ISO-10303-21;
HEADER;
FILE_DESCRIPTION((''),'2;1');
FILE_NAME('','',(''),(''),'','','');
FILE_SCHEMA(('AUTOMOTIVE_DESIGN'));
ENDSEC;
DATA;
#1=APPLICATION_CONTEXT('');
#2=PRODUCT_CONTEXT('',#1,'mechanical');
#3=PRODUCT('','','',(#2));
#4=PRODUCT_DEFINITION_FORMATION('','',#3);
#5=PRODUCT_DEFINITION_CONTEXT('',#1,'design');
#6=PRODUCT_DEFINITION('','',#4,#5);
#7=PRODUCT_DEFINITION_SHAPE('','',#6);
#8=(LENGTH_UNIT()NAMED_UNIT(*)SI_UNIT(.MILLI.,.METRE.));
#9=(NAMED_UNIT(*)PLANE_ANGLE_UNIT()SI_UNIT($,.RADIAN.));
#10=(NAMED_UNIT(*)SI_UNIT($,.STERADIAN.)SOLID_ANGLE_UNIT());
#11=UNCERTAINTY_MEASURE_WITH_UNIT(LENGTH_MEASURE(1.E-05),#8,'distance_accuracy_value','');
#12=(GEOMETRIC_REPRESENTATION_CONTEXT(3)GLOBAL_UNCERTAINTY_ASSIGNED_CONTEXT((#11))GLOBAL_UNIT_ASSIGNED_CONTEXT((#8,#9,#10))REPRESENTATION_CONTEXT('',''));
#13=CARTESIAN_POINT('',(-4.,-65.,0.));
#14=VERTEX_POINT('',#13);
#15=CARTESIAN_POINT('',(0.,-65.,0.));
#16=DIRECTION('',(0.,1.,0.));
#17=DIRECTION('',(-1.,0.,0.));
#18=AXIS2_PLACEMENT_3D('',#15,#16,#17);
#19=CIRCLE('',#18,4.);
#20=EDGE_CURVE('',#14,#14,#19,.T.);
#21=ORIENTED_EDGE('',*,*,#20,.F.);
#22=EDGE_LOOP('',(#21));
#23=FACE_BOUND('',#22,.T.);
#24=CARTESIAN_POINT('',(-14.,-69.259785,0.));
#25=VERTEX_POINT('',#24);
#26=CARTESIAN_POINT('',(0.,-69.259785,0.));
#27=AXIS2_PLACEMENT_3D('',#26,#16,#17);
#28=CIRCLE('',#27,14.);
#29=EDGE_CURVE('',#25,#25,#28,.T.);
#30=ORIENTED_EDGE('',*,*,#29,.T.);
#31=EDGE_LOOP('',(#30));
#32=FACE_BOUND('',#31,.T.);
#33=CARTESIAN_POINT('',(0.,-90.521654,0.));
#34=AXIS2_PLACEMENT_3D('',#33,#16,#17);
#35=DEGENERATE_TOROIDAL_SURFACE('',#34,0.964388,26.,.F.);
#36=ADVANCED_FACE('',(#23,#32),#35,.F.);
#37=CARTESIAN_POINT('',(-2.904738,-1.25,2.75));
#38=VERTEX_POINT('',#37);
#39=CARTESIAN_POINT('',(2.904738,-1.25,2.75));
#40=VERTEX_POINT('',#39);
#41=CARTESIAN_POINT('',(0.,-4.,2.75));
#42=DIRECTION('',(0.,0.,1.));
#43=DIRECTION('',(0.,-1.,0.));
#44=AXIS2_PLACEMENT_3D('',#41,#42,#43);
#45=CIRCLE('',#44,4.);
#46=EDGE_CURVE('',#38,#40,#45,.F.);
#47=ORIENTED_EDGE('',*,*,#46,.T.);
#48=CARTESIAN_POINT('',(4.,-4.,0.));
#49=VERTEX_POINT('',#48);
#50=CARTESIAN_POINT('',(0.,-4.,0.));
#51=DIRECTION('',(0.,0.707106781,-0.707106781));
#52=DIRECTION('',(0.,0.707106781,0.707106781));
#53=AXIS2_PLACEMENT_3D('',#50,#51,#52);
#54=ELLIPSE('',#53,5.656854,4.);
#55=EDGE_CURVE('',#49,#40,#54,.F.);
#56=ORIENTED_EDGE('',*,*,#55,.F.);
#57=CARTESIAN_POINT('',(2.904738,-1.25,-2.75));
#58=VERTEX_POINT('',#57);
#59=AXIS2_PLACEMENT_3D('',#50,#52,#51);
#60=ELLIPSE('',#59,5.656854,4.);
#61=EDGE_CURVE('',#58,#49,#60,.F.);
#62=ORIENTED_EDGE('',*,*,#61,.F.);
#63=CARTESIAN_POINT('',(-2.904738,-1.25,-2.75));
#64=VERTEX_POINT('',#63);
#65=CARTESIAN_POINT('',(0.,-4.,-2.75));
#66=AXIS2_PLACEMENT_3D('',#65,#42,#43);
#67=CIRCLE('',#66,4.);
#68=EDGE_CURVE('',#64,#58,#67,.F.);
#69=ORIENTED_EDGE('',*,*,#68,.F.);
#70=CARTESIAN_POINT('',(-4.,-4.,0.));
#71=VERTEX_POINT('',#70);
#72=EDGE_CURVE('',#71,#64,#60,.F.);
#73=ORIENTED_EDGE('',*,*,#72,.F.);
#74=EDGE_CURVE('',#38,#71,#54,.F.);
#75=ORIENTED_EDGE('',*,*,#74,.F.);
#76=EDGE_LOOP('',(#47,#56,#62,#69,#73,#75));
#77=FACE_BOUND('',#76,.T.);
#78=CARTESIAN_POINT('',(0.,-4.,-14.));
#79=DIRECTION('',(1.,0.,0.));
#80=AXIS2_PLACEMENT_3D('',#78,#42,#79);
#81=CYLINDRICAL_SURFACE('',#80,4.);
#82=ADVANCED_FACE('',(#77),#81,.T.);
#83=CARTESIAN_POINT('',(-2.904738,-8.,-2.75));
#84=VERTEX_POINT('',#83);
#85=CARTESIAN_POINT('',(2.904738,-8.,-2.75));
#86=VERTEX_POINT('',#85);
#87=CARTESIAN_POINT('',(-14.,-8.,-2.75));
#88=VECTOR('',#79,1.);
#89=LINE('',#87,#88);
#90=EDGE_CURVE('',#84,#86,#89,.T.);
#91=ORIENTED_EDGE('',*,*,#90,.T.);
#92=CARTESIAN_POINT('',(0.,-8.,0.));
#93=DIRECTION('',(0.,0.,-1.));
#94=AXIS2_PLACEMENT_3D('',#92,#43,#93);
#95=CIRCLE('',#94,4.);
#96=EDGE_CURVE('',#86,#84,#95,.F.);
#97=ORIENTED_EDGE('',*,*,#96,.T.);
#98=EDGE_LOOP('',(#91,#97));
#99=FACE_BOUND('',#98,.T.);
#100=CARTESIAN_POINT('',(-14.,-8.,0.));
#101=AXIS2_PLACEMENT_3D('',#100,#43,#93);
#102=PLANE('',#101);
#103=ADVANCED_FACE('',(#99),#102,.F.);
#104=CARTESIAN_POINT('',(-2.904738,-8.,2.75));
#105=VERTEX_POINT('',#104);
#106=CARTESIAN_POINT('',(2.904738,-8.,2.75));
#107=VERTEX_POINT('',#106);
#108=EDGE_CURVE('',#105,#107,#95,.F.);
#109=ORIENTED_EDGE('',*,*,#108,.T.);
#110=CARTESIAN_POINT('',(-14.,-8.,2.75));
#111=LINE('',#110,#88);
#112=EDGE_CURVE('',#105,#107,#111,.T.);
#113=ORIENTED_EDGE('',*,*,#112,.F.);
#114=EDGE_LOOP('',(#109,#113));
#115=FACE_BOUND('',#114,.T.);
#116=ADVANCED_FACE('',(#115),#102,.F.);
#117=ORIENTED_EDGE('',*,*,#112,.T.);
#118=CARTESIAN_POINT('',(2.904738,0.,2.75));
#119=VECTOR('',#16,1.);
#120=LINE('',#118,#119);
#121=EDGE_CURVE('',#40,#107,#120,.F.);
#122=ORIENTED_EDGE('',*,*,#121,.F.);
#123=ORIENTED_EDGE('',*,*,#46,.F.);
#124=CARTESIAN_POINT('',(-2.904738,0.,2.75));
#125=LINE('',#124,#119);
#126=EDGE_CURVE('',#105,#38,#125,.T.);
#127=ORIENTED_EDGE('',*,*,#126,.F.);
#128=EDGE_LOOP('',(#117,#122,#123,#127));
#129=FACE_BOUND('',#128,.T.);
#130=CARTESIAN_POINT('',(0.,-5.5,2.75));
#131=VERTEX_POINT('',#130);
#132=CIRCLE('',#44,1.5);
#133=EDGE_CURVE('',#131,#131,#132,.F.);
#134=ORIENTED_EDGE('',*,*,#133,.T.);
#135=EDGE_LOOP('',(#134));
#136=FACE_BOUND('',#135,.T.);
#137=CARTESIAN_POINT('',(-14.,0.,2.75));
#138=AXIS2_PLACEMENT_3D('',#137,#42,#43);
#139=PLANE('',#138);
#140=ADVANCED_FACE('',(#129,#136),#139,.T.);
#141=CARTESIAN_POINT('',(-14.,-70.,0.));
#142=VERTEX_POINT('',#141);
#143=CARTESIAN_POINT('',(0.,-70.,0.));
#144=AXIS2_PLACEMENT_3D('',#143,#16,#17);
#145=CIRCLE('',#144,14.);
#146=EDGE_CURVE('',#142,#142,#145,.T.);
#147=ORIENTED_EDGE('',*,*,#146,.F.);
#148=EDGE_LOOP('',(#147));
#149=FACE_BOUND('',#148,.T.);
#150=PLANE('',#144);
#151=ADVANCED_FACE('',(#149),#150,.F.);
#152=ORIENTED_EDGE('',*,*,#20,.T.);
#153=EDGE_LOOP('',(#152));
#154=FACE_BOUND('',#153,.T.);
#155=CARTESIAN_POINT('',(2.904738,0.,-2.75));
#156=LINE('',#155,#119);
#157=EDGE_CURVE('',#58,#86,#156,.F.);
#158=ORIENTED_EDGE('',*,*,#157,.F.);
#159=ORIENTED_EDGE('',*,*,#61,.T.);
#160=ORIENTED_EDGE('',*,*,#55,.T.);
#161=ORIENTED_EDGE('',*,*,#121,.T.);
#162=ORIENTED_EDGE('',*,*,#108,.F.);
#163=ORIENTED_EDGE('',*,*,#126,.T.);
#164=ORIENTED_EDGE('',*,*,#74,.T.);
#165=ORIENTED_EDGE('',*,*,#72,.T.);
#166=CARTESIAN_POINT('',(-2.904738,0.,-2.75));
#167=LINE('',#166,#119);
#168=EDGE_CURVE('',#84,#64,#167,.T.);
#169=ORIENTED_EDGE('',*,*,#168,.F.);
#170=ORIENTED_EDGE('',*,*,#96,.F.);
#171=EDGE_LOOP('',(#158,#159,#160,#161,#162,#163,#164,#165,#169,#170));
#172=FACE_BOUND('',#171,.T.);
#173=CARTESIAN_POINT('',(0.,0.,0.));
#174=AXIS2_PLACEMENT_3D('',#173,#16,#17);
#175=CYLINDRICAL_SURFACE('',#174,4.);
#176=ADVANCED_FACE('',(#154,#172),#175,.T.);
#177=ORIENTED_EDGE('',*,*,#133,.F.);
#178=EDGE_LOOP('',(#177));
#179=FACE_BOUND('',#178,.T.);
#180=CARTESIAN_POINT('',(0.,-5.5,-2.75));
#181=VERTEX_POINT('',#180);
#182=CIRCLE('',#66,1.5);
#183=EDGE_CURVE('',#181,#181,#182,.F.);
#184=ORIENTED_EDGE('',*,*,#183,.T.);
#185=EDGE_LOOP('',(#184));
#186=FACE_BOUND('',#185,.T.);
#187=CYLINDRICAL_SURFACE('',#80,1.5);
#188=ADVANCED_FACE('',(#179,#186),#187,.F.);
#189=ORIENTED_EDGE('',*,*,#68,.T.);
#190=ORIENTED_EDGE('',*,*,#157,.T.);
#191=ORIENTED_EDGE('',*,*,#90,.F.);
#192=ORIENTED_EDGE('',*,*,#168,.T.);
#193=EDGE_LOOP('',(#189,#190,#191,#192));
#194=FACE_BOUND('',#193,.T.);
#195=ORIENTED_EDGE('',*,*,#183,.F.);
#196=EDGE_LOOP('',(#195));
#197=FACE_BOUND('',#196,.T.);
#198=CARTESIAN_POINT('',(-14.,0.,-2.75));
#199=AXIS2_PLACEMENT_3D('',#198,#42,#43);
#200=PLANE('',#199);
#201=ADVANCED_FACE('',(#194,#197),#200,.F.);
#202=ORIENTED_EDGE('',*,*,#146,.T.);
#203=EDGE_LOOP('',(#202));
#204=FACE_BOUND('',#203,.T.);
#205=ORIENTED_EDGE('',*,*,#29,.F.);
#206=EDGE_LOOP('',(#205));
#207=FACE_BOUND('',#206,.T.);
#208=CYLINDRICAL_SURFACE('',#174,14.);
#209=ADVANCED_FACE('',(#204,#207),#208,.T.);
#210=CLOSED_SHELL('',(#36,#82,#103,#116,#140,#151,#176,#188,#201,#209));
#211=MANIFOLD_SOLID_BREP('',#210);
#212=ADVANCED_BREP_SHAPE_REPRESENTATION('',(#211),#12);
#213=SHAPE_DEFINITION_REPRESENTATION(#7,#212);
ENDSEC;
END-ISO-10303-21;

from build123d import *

# Parameters (mm, degrees)
SKETCH1_W               = 4
SKETCH1_H               = 65
CUT_EXTRUDE2_DEPTH      = 15.0000001
CUT_EXTRUDE2_DEPTH_BACK = 15.0000001
SKETCH3_W               = 1.25
SKETCH3_H               = 8
CUT_EXTRUDE3_DEPTH      = 15.0000001
CUT_EXTRUDE3_DEPTH_BACK = 15.0000001


with BuildPart() as part:
    # Sketch1 → Revolve1 (revolve)
    with BuildSketch(Plane.XY):
        with BuildLine():
            ThreePointArc((-4, -65), (-9.225090437, -66.601484736), (-14, -69.259785338))
            Line((-14, -69.259785338), (-14, -70))
            Line((-14, -70), (0, -70))
            Line((0, -70), (0, -65))
            Line((0, -65), (-4, -65))
        make_face()
        with Locations((-2, -32.5)):
            Rectangle(SKETCH1_W, SKETCH1_H)
    revolve(axis=Axis((0, 0, 0), (0, -1, 0)))

    # Sketch2 → Cut-Extrude2 (cut, two sides)
    with BuildSketch(Plane.XY) as cut_extrude2_sk:
        with BuildLine():
            Line((-4, 0), (-4, -4))
            ThreePointArc((-4, -4), (-2.828427125, -1.171572875), (0, 0))
            Line((0, 0), (-4, 0))
        make_face()
        with BuildLine():
            ThreePointArc((0, 0), (2.828427125, -1.171572875), (4, -4))
            Line((4, -4), (4, 0))
            Line((4, 0), (0, 0))
        make_face()
        with BuildLine():
            ThreePointArc((-1.5, -4), (0, -5.5), (1.5, -4))
            Line((1.5, -4), (-1.5, -4))
        make_face()
        with BuildLine():
            Line((-1.5, -4), (1.5, -4))
            ThreePointArc((1.5, -4), (0, -2.5), (-1.5, -4))
        make_face()
    extrude(amount=CUT_EXTRUDE2_DEPTH, mode=Mode.SUBTRACT)
    extrude(cut_extrude2_sk.sketch, amount=-CUT_EXTRUDE2_DEPTH_BACK, mode=Mode.SUBTRACT)

    # Sketch3 → Cut-Extrude3 (cut, two sides)
    with BuildSketch(Plane(origin=(0, 0, 0), x_dir=(0, 0, -1), z_dir=(1, 0, 0))) as cut_extrude3_sk:
        with Locations((-3.375, -4)):
            Rectangle(SKETCH3_W, SKETCH3_H)
        with Locations((3.375, -4)):
            Rectangle(SKETCH3_W, SKETCH3_H)
    extrude(amount=CUT_EXTRUDE3_DEPTH, mode=Mode.SUBTRACT)
    extrude(cut_extrude3_sk.sketch, amount=-CUT_EXTRUDE3_DEPTH_BACK, mode=Mode.SUBTRACT)


solid = part.part
